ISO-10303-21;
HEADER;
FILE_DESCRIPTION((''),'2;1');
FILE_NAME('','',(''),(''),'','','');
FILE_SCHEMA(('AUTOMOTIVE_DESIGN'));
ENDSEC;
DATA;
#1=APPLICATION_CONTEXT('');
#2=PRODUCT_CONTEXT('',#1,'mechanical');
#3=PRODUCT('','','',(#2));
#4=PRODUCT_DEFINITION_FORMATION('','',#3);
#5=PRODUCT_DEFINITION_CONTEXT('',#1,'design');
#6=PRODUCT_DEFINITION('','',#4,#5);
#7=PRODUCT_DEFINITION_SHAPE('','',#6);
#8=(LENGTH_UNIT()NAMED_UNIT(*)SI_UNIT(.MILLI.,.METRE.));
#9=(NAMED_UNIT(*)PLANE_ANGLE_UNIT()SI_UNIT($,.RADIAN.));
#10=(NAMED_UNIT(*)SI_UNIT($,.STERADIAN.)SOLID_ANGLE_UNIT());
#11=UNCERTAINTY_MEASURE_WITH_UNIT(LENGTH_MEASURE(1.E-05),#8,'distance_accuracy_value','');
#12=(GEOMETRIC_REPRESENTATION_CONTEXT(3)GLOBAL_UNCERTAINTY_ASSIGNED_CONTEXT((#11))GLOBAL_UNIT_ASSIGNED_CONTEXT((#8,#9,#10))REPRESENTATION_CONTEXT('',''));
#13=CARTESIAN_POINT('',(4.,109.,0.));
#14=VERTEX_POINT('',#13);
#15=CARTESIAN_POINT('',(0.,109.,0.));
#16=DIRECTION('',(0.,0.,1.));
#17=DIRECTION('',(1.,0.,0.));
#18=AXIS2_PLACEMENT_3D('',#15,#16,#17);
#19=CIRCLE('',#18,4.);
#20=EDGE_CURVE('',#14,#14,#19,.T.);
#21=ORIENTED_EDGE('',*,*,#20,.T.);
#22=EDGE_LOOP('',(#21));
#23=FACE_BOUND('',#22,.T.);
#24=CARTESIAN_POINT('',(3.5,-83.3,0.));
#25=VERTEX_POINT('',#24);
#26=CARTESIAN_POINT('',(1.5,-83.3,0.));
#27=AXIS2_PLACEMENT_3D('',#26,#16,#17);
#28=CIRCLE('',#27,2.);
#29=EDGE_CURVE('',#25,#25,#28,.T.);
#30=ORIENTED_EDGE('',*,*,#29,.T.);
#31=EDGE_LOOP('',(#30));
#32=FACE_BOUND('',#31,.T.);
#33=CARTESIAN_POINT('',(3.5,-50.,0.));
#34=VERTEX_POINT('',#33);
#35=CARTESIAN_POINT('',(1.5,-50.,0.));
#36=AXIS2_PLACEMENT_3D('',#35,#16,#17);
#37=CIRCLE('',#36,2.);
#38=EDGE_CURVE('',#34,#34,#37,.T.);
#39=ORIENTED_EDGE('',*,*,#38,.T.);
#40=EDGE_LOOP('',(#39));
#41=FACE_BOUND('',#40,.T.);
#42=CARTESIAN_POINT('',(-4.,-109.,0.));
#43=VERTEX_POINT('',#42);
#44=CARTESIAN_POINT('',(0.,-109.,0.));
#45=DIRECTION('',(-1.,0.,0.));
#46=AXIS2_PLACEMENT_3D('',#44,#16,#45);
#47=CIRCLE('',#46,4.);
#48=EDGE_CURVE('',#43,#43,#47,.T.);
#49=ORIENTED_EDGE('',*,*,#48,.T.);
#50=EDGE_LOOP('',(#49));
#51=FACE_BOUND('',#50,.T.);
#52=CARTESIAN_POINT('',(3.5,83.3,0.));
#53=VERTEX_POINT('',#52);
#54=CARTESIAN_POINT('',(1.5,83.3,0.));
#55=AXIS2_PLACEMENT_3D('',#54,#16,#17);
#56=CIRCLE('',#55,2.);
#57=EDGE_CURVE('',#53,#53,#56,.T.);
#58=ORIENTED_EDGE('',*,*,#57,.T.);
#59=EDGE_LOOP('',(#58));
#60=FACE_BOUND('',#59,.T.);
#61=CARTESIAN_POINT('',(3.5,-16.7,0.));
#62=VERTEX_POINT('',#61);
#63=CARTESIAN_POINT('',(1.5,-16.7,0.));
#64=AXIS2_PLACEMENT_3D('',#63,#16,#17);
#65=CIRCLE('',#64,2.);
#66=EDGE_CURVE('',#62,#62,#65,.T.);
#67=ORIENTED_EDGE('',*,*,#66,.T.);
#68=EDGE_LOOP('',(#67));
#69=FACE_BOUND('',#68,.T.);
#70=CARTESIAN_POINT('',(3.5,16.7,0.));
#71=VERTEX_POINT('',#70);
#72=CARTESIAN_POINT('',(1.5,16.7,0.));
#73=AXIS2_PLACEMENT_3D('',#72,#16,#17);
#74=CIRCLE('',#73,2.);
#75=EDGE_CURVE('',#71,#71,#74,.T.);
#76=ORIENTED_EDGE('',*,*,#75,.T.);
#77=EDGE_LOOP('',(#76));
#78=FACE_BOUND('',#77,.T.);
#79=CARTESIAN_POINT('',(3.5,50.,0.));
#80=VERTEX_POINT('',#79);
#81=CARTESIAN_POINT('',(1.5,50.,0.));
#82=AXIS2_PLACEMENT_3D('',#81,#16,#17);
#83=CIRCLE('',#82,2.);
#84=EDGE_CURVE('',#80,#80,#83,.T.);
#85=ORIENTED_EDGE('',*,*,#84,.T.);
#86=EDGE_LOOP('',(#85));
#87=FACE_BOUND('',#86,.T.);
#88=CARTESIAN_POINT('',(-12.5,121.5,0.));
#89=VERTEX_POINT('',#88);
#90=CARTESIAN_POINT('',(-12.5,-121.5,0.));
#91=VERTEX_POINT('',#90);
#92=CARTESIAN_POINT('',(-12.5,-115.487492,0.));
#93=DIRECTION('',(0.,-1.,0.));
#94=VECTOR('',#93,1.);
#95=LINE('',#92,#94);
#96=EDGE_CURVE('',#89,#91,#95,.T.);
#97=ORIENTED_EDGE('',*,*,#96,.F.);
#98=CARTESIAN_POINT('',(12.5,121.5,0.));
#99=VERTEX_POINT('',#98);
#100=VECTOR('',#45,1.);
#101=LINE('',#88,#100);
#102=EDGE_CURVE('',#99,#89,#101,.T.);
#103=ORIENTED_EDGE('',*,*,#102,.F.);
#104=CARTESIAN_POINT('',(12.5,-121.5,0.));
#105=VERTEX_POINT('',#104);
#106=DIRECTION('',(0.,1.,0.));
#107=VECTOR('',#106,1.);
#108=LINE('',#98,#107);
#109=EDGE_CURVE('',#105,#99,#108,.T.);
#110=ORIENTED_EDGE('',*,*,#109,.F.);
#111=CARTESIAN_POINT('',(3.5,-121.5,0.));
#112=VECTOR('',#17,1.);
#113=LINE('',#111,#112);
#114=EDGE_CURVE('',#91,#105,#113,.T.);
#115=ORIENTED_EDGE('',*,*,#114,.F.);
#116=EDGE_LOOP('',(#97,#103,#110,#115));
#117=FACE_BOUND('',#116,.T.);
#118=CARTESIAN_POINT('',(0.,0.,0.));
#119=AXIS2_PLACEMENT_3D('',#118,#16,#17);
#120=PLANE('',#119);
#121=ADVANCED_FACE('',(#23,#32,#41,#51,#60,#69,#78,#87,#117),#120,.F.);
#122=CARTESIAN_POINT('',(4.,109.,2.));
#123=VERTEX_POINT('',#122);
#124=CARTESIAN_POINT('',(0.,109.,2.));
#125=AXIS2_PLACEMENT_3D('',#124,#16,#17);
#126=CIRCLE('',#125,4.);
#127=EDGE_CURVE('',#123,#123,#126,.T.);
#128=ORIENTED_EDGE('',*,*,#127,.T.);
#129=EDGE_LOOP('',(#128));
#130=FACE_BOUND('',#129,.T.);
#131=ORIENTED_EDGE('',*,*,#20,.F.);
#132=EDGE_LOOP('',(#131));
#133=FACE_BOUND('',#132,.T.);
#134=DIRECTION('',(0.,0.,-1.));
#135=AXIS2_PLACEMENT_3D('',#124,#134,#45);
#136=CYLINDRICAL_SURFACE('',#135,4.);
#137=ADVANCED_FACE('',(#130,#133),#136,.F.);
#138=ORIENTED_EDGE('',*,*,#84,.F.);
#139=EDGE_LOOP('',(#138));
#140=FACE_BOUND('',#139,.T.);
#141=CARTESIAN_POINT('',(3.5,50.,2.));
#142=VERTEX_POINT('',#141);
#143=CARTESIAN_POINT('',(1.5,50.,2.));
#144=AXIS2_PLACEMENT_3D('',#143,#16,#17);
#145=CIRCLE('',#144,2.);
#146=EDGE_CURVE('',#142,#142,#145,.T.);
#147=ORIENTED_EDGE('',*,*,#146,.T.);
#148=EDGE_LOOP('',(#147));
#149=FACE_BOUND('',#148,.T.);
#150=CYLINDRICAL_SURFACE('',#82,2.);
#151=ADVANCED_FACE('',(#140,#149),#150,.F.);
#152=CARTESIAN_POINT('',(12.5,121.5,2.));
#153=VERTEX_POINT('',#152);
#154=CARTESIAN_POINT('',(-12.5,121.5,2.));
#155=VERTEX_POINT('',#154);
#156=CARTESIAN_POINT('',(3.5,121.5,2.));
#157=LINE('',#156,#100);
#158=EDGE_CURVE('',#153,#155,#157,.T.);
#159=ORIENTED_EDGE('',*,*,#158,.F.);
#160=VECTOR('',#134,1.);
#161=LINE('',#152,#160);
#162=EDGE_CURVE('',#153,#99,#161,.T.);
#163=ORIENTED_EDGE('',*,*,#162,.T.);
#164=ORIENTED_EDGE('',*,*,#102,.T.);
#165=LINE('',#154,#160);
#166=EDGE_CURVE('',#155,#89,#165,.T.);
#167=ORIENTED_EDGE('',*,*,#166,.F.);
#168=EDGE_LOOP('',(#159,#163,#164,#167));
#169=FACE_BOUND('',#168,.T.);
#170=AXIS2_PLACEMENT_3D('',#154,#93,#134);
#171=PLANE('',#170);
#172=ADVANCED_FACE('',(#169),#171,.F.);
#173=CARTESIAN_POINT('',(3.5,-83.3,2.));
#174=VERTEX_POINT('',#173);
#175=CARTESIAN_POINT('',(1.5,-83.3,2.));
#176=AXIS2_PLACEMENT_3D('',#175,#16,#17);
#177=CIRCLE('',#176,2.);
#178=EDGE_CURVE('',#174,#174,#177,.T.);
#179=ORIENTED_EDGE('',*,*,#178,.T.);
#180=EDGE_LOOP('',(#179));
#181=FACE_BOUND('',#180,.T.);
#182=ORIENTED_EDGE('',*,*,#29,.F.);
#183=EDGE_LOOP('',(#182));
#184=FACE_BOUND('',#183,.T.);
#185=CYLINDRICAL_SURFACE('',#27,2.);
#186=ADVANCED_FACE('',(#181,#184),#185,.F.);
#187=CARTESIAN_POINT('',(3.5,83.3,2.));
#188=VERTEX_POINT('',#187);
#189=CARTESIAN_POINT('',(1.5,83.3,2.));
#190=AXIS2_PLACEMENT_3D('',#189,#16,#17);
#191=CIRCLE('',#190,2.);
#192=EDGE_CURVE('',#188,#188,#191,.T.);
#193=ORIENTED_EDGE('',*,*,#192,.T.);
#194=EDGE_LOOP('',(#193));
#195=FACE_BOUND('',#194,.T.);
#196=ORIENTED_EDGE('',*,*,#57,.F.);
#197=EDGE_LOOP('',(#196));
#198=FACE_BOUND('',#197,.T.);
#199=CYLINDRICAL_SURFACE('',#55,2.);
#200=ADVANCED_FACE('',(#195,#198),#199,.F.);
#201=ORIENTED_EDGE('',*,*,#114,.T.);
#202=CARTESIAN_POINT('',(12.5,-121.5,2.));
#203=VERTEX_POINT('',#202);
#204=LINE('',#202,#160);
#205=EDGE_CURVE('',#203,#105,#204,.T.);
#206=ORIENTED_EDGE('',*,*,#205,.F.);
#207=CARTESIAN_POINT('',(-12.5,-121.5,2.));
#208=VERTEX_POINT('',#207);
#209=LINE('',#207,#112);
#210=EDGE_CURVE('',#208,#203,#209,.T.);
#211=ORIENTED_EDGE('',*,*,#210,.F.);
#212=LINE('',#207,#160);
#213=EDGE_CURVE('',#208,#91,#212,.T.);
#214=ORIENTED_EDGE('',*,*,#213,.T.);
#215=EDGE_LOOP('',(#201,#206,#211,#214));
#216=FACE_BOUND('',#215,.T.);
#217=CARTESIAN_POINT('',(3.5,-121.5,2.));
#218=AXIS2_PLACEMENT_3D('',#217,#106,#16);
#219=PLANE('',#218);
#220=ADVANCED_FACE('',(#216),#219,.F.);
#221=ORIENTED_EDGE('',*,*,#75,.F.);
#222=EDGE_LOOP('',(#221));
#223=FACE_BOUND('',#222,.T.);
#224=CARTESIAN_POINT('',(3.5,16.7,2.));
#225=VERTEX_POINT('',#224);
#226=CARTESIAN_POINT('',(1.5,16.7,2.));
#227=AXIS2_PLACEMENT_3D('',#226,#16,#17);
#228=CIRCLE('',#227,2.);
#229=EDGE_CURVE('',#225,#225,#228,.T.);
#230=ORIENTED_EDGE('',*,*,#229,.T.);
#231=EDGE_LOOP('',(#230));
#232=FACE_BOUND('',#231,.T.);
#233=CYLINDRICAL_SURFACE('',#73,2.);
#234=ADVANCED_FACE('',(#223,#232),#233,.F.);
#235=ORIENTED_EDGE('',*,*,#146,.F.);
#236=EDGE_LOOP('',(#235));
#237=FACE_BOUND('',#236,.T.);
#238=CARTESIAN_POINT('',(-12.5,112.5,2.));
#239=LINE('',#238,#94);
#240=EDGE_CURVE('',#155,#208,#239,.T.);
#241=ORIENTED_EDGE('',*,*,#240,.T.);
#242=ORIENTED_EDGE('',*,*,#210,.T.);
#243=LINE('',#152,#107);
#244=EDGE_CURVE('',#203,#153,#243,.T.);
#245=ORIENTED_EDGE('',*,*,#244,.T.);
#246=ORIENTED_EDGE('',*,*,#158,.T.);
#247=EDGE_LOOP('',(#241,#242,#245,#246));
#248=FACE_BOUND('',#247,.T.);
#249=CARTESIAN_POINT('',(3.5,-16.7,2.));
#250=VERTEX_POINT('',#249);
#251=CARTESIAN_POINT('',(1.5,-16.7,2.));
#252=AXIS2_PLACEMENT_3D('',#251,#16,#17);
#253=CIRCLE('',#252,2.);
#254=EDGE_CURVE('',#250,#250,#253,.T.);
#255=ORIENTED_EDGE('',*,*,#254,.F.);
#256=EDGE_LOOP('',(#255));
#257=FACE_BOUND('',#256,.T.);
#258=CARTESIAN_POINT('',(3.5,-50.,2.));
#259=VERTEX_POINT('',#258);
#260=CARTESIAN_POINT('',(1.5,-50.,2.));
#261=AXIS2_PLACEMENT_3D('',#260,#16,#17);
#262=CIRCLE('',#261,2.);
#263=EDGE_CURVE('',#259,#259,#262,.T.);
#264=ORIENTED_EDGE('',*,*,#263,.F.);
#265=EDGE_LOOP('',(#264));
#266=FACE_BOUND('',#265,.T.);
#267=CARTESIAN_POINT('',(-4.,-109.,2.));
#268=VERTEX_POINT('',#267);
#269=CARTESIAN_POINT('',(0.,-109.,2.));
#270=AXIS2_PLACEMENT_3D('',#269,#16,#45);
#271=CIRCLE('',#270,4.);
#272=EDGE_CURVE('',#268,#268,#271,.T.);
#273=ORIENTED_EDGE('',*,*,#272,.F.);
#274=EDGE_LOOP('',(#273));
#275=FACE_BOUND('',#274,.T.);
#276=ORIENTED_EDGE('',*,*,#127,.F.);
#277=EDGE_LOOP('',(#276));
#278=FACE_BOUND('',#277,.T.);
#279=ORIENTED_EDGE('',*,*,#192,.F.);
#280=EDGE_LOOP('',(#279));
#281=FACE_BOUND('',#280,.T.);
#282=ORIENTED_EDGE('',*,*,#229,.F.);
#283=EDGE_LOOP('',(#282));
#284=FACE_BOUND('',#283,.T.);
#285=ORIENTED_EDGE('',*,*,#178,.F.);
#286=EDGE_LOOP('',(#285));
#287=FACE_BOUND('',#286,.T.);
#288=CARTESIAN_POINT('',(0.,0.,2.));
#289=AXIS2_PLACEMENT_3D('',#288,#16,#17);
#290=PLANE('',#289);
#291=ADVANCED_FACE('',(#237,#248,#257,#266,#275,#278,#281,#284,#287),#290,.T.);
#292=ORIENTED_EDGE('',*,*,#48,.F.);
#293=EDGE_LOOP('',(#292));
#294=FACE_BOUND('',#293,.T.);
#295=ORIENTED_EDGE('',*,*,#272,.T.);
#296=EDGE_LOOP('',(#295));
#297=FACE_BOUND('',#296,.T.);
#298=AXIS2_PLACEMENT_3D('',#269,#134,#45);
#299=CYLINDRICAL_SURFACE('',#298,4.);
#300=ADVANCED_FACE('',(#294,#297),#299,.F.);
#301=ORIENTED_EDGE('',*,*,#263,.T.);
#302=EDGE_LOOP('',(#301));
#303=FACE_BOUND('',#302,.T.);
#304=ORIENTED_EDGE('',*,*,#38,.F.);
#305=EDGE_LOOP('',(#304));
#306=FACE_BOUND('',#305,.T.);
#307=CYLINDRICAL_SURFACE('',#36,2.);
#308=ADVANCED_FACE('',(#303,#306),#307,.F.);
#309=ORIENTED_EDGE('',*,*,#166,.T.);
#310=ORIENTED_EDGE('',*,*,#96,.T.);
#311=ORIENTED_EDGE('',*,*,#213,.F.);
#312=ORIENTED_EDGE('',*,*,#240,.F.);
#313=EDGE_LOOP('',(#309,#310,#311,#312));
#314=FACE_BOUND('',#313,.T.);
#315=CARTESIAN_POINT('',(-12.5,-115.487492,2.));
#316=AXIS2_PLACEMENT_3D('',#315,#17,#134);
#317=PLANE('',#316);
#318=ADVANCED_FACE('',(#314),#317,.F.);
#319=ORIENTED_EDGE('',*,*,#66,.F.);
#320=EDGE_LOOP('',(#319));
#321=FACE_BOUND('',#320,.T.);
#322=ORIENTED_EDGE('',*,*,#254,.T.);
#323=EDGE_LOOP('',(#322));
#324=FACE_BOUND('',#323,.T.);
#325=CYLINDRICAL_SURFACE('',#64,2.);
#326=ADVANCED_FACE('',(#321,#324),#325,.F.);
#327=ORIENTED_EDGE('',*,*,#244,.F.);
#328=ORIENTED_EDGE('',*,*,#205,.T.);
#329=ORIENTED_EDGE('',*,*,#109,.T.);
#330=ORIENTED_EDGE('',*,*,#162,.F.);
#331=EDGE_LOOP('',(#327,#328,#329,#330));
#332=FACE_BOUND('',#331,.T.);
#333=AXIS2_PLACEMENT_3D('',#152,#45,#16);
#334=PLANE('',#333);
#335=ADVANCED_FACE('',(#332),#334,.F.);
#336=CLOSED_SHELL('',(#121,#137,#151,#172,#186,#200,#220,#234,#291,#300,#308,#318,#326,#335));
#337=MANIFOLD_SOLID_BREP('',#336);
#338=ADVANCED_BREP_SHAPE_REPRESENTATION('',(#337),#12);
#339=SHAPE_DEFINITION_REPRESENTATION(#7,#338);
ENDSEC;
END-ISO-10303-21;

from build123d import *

# Parameters (mm, degrees)
SKETCH1_R           = 4
BOSS_EXTRUDE1_DEPTH = 2
SKETCH2_R           = 2
CUT_EXTRUDE1_DEPTH  = 2


with BuildPart() as part:
    # Sketch1 → Boss-Extrude1 (new body)
    with BuildSketch(Plane.XY):
        Polygon((3.5, 121.5), (12.5, 121.5), (12.5, -121.5), (3.5, -121.5), (0, -121.5), (-12.5, -121.5), (-12.5, -115.487492178), (-12.5, -105.5), (-12.5, 112.5), (-12.5, 121.5), align=None)
        with Locations((0, 109)):
            Circle(SKETCH1_R, mode=Mode.SUBTRACT)
        with Locations(Location((0, -109, 0), (0, 0, 180))):
            Circle(SKETCH1_R, mode=Mode.SUBTRACT)
    extrude(amount=BOSS_EXTRUDE1_DEPTH)

    # Sketch2 → Cut-Extrude1 (cut)
    with BuildSketch(Plane.XY.offset(2)):
        with Locations((1.5, 83.3)):
            Circle(SKETCH2_R)
        with Locations((1.5, 50)):
            Circle(SKETCH2_R)
        with Locations((1.5, 16.7)):
            Circle(SKETCH2_R)
        with Locations((1.5, -16.7)):
            Circle(SKETCH2_R)
        with Locations((1.5, -50)):
            Circle(SKETCH2_R)
        with Locations((1.5, -83.3)):
            Circle(SKETCH2_R)
    extrude(amount=-CUT_EXTRUDE1_DEPTH, mode=Mode.SUBTRACT)


solid = part.part
